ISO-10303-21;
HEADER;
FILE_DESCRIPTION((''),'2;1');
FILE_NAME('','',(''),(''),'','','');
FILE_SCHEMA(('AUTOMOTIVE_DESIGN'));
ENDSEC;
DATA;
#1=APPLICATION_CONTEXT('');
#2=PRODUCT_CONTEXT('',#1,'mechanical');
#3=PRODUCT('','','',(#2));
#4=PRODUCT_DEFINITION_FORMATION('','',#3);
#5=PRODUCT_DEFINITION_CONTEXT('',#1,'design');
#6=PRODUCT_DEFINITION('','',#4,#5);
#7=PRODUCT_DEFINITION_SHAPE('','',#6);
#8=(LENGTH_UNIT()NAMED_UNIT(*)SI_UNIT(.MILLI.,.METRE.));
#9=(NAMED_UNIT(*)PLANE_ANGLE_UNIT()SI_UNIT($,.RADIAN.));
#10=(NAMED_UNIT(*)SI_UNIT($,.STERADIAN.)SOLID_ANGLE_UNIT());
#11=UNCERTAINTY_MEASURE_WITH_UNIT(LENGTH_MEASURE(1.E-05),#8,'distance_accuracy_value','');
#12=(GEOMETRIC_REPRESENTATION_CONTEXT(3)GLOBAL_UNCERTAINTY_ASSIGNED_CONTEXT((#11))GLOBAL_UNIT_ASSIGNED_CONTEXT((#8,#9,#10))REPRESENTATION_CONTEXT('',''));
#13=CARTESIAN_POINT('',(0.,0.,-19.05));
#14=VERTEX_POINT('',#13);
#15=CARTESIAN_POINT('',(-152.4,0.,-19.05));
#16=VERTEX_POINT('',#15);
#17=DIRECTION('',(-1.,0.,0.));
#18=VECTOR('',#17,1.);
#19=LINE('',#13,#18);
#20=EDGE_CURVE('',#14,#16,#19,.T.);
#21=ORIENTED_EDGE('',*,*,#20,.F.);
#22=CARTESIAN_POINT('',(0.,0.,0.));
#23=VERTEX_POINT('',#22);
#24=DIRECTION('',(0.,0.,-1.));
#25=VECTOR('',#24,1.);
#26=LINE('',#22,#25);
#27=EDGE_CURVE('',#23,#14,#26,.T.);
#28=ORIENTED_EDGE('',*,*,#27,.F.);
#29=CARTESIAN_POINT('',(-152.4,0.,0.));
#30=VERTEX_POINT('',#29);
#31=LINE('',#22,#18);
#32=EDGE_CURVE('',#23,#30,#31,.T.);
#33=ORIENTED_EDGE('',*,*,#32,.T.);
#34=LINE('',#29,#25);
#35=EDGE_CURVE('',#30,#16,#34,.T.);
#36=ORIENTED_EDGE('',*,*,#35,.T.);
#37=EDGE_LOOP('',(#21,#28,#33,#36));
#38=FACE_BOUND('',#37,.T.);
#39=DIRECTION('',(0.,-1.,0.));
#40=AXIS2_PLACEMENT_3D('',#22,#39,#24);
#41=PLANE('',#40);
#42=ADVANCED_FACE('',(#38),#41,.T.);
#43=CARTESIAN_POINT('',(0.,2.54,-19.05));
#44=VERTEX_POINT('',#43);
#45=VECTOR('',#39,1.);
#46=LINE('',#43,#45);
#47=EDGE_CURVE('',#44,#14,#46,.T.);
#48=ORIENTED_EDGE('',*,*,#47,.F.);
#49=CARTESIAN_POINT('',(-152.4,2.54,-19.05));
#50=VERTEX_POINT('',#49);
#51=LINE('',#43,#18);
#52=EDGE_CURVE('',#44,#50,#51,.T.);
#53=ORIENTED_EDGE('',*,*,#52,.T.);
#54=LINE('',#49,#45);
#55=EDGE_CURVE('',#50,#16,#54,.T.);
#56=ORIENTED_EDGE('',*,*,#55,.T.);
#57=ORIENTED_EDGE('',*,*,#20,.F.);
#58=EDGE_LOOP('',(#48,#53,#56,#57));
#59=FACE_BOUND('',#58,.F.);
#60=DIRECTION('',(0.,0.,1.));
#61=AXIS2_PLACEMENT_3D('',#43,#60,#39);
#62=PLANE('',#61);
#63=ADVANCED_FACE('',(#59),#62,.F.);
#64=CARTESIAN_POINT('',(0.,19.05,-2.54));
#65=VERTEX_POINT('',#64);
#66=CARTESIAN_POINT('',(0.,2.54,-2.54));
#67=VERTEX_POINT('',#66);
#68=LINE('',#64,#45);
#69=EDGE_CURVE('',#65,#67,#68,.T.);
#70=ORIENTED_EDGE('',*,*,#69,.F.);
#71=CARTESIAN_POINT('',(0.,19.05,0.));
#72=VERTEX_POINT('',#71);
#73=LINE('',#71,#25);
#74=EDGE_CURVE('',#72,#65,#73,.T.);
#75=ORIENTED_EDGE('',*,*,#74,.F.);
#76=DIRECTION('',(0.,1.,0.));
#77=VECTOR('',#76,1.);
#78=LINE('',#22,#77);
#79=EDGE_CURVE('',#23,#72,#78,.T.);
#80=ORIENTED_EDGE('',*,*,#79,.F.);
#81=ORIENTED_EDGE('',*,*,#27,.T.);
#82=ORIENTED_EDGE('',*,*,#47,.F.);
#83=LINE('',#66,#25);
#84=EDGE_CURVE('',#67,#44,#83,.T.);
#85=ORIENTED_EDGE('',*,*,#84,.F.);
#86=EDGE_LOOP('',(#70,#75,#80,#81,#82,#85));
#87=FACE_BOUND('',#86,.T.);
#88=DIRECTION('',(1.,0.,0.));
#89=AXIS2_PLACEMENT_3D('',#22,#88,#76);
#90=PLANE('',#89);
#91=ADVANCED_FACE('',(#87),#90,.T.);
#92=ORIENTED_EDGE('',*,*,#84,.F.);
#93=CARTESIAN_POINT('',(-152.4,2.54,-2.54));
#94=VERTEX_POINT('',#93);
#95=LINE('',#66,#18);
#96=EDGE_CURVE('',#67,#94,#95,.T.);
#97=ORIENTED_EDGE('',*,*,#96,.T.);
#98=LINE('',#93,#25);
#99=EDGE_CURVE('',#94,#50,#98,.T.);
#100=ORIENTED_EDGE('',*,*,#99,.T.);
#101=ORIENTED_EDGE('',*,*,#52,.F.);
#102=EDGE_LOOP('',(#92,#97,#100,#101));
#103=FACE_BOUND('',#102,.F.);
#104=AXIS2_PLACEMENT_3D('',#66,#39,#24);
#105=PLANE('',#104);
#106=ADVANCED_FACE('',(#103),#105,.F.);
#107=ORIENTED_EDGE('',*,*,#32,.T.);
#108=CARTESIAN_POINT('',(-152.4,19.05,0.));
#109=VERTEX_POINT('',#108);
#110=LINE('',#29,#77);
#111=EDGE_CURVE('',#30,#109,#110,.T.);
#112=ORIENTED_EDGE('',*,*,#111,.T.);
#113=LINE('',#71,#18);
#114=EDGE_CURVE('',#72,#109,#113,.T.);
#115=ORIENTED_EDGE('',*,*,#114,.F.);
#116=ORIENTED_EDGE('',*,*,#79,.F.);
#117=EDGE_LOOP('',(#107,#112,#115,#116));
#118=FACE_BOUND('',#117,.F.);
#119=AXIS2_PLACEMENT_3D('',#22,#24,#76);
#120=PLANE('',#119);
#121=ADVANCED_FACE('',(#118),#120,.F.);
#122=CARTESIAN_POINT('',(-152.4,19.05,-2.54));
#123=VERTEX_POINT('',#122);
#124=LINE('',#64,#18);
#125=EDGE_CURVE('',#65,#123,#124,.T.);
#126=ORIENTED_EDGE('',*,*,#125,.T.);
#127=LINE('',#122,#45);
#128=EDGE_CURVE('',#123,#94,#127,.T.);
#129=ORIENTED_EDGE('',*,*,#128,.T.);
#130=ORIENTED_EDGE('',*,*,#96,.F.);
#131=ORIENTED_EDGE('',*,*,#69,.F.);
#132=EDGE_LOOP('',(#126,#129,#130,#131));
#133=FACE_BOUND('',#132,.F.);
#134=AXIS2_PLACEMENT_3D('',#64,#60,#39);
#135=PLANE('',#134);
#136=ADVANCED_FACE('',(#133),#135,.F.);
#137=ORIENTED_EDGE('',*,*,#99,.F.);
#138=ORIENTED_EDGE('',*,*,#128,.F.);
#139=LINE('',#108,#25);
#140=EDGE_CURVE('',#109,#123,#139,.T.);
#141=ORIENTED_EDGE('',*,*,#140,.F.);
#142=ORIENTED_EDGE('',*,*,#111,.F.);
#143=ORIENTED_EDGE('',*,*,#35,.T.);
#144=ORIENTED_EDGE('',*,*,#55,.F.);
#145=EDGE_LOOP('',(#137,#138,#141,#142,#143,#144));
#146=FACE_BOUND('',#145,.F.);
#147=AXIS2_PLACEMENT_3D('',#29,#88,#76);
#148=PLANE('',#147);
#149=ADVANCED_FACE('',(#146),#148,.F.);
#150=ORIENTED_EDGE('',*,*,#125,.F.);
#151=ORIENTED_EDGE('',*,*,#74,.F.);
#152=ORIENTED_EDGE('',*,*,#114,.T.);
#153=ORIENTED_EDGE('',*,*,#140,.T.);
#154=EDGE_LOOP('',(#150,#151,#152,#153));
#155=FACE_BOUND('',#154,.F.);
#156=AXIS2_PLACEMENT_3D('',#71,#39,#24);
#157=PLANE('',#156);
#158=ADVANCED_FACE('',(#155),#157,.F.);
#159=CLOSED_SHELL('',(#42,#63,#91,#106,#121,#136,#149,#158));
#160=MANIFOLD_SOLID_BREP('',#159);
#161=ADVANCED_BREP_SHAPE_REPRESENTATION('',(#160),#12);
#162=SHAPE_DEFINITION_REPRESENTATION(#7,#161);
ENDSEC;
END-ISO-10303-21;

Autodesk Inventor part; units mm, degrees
ref_plane "YZ Plane" through (0, 0, 0) normal (1, 0, 0) x (0, 1, 0)
ref_plane "XZ Plane" through (0, 0, 0) normal (0, 1, 0) x (-1, 0, 0)
ref_plane "XY Plane" through (0, 0, 0) normal (0, 0, 1) x (1, 0, 0)
sketch "Sketch1" plane through (0, 0, 0) normal (1, 0, 0) x (0, 1, 0)
  line L0 (0, 0) -> (0, -19.05)
  line L1 (0, 0) -> (19.05, 0)
  line L2 (19.05, -2.54) -> (2.54, -2.54)
  line L3 (2.54, -2.54) -> (2.54, -19.05)
  line L4 (2.54, -19.05) -> (0, -19.05)
  line L5 (19.05, 0) -> (19.05, -2.54)
  dimension "d0" = 19.05
  dimension "d2" = 19.05
  dimension "d3" = 2.54
extrude "Extrusion1" add sketch "Sketch1" against normal blind 152.4
properties part number "AluminumLchannel"
